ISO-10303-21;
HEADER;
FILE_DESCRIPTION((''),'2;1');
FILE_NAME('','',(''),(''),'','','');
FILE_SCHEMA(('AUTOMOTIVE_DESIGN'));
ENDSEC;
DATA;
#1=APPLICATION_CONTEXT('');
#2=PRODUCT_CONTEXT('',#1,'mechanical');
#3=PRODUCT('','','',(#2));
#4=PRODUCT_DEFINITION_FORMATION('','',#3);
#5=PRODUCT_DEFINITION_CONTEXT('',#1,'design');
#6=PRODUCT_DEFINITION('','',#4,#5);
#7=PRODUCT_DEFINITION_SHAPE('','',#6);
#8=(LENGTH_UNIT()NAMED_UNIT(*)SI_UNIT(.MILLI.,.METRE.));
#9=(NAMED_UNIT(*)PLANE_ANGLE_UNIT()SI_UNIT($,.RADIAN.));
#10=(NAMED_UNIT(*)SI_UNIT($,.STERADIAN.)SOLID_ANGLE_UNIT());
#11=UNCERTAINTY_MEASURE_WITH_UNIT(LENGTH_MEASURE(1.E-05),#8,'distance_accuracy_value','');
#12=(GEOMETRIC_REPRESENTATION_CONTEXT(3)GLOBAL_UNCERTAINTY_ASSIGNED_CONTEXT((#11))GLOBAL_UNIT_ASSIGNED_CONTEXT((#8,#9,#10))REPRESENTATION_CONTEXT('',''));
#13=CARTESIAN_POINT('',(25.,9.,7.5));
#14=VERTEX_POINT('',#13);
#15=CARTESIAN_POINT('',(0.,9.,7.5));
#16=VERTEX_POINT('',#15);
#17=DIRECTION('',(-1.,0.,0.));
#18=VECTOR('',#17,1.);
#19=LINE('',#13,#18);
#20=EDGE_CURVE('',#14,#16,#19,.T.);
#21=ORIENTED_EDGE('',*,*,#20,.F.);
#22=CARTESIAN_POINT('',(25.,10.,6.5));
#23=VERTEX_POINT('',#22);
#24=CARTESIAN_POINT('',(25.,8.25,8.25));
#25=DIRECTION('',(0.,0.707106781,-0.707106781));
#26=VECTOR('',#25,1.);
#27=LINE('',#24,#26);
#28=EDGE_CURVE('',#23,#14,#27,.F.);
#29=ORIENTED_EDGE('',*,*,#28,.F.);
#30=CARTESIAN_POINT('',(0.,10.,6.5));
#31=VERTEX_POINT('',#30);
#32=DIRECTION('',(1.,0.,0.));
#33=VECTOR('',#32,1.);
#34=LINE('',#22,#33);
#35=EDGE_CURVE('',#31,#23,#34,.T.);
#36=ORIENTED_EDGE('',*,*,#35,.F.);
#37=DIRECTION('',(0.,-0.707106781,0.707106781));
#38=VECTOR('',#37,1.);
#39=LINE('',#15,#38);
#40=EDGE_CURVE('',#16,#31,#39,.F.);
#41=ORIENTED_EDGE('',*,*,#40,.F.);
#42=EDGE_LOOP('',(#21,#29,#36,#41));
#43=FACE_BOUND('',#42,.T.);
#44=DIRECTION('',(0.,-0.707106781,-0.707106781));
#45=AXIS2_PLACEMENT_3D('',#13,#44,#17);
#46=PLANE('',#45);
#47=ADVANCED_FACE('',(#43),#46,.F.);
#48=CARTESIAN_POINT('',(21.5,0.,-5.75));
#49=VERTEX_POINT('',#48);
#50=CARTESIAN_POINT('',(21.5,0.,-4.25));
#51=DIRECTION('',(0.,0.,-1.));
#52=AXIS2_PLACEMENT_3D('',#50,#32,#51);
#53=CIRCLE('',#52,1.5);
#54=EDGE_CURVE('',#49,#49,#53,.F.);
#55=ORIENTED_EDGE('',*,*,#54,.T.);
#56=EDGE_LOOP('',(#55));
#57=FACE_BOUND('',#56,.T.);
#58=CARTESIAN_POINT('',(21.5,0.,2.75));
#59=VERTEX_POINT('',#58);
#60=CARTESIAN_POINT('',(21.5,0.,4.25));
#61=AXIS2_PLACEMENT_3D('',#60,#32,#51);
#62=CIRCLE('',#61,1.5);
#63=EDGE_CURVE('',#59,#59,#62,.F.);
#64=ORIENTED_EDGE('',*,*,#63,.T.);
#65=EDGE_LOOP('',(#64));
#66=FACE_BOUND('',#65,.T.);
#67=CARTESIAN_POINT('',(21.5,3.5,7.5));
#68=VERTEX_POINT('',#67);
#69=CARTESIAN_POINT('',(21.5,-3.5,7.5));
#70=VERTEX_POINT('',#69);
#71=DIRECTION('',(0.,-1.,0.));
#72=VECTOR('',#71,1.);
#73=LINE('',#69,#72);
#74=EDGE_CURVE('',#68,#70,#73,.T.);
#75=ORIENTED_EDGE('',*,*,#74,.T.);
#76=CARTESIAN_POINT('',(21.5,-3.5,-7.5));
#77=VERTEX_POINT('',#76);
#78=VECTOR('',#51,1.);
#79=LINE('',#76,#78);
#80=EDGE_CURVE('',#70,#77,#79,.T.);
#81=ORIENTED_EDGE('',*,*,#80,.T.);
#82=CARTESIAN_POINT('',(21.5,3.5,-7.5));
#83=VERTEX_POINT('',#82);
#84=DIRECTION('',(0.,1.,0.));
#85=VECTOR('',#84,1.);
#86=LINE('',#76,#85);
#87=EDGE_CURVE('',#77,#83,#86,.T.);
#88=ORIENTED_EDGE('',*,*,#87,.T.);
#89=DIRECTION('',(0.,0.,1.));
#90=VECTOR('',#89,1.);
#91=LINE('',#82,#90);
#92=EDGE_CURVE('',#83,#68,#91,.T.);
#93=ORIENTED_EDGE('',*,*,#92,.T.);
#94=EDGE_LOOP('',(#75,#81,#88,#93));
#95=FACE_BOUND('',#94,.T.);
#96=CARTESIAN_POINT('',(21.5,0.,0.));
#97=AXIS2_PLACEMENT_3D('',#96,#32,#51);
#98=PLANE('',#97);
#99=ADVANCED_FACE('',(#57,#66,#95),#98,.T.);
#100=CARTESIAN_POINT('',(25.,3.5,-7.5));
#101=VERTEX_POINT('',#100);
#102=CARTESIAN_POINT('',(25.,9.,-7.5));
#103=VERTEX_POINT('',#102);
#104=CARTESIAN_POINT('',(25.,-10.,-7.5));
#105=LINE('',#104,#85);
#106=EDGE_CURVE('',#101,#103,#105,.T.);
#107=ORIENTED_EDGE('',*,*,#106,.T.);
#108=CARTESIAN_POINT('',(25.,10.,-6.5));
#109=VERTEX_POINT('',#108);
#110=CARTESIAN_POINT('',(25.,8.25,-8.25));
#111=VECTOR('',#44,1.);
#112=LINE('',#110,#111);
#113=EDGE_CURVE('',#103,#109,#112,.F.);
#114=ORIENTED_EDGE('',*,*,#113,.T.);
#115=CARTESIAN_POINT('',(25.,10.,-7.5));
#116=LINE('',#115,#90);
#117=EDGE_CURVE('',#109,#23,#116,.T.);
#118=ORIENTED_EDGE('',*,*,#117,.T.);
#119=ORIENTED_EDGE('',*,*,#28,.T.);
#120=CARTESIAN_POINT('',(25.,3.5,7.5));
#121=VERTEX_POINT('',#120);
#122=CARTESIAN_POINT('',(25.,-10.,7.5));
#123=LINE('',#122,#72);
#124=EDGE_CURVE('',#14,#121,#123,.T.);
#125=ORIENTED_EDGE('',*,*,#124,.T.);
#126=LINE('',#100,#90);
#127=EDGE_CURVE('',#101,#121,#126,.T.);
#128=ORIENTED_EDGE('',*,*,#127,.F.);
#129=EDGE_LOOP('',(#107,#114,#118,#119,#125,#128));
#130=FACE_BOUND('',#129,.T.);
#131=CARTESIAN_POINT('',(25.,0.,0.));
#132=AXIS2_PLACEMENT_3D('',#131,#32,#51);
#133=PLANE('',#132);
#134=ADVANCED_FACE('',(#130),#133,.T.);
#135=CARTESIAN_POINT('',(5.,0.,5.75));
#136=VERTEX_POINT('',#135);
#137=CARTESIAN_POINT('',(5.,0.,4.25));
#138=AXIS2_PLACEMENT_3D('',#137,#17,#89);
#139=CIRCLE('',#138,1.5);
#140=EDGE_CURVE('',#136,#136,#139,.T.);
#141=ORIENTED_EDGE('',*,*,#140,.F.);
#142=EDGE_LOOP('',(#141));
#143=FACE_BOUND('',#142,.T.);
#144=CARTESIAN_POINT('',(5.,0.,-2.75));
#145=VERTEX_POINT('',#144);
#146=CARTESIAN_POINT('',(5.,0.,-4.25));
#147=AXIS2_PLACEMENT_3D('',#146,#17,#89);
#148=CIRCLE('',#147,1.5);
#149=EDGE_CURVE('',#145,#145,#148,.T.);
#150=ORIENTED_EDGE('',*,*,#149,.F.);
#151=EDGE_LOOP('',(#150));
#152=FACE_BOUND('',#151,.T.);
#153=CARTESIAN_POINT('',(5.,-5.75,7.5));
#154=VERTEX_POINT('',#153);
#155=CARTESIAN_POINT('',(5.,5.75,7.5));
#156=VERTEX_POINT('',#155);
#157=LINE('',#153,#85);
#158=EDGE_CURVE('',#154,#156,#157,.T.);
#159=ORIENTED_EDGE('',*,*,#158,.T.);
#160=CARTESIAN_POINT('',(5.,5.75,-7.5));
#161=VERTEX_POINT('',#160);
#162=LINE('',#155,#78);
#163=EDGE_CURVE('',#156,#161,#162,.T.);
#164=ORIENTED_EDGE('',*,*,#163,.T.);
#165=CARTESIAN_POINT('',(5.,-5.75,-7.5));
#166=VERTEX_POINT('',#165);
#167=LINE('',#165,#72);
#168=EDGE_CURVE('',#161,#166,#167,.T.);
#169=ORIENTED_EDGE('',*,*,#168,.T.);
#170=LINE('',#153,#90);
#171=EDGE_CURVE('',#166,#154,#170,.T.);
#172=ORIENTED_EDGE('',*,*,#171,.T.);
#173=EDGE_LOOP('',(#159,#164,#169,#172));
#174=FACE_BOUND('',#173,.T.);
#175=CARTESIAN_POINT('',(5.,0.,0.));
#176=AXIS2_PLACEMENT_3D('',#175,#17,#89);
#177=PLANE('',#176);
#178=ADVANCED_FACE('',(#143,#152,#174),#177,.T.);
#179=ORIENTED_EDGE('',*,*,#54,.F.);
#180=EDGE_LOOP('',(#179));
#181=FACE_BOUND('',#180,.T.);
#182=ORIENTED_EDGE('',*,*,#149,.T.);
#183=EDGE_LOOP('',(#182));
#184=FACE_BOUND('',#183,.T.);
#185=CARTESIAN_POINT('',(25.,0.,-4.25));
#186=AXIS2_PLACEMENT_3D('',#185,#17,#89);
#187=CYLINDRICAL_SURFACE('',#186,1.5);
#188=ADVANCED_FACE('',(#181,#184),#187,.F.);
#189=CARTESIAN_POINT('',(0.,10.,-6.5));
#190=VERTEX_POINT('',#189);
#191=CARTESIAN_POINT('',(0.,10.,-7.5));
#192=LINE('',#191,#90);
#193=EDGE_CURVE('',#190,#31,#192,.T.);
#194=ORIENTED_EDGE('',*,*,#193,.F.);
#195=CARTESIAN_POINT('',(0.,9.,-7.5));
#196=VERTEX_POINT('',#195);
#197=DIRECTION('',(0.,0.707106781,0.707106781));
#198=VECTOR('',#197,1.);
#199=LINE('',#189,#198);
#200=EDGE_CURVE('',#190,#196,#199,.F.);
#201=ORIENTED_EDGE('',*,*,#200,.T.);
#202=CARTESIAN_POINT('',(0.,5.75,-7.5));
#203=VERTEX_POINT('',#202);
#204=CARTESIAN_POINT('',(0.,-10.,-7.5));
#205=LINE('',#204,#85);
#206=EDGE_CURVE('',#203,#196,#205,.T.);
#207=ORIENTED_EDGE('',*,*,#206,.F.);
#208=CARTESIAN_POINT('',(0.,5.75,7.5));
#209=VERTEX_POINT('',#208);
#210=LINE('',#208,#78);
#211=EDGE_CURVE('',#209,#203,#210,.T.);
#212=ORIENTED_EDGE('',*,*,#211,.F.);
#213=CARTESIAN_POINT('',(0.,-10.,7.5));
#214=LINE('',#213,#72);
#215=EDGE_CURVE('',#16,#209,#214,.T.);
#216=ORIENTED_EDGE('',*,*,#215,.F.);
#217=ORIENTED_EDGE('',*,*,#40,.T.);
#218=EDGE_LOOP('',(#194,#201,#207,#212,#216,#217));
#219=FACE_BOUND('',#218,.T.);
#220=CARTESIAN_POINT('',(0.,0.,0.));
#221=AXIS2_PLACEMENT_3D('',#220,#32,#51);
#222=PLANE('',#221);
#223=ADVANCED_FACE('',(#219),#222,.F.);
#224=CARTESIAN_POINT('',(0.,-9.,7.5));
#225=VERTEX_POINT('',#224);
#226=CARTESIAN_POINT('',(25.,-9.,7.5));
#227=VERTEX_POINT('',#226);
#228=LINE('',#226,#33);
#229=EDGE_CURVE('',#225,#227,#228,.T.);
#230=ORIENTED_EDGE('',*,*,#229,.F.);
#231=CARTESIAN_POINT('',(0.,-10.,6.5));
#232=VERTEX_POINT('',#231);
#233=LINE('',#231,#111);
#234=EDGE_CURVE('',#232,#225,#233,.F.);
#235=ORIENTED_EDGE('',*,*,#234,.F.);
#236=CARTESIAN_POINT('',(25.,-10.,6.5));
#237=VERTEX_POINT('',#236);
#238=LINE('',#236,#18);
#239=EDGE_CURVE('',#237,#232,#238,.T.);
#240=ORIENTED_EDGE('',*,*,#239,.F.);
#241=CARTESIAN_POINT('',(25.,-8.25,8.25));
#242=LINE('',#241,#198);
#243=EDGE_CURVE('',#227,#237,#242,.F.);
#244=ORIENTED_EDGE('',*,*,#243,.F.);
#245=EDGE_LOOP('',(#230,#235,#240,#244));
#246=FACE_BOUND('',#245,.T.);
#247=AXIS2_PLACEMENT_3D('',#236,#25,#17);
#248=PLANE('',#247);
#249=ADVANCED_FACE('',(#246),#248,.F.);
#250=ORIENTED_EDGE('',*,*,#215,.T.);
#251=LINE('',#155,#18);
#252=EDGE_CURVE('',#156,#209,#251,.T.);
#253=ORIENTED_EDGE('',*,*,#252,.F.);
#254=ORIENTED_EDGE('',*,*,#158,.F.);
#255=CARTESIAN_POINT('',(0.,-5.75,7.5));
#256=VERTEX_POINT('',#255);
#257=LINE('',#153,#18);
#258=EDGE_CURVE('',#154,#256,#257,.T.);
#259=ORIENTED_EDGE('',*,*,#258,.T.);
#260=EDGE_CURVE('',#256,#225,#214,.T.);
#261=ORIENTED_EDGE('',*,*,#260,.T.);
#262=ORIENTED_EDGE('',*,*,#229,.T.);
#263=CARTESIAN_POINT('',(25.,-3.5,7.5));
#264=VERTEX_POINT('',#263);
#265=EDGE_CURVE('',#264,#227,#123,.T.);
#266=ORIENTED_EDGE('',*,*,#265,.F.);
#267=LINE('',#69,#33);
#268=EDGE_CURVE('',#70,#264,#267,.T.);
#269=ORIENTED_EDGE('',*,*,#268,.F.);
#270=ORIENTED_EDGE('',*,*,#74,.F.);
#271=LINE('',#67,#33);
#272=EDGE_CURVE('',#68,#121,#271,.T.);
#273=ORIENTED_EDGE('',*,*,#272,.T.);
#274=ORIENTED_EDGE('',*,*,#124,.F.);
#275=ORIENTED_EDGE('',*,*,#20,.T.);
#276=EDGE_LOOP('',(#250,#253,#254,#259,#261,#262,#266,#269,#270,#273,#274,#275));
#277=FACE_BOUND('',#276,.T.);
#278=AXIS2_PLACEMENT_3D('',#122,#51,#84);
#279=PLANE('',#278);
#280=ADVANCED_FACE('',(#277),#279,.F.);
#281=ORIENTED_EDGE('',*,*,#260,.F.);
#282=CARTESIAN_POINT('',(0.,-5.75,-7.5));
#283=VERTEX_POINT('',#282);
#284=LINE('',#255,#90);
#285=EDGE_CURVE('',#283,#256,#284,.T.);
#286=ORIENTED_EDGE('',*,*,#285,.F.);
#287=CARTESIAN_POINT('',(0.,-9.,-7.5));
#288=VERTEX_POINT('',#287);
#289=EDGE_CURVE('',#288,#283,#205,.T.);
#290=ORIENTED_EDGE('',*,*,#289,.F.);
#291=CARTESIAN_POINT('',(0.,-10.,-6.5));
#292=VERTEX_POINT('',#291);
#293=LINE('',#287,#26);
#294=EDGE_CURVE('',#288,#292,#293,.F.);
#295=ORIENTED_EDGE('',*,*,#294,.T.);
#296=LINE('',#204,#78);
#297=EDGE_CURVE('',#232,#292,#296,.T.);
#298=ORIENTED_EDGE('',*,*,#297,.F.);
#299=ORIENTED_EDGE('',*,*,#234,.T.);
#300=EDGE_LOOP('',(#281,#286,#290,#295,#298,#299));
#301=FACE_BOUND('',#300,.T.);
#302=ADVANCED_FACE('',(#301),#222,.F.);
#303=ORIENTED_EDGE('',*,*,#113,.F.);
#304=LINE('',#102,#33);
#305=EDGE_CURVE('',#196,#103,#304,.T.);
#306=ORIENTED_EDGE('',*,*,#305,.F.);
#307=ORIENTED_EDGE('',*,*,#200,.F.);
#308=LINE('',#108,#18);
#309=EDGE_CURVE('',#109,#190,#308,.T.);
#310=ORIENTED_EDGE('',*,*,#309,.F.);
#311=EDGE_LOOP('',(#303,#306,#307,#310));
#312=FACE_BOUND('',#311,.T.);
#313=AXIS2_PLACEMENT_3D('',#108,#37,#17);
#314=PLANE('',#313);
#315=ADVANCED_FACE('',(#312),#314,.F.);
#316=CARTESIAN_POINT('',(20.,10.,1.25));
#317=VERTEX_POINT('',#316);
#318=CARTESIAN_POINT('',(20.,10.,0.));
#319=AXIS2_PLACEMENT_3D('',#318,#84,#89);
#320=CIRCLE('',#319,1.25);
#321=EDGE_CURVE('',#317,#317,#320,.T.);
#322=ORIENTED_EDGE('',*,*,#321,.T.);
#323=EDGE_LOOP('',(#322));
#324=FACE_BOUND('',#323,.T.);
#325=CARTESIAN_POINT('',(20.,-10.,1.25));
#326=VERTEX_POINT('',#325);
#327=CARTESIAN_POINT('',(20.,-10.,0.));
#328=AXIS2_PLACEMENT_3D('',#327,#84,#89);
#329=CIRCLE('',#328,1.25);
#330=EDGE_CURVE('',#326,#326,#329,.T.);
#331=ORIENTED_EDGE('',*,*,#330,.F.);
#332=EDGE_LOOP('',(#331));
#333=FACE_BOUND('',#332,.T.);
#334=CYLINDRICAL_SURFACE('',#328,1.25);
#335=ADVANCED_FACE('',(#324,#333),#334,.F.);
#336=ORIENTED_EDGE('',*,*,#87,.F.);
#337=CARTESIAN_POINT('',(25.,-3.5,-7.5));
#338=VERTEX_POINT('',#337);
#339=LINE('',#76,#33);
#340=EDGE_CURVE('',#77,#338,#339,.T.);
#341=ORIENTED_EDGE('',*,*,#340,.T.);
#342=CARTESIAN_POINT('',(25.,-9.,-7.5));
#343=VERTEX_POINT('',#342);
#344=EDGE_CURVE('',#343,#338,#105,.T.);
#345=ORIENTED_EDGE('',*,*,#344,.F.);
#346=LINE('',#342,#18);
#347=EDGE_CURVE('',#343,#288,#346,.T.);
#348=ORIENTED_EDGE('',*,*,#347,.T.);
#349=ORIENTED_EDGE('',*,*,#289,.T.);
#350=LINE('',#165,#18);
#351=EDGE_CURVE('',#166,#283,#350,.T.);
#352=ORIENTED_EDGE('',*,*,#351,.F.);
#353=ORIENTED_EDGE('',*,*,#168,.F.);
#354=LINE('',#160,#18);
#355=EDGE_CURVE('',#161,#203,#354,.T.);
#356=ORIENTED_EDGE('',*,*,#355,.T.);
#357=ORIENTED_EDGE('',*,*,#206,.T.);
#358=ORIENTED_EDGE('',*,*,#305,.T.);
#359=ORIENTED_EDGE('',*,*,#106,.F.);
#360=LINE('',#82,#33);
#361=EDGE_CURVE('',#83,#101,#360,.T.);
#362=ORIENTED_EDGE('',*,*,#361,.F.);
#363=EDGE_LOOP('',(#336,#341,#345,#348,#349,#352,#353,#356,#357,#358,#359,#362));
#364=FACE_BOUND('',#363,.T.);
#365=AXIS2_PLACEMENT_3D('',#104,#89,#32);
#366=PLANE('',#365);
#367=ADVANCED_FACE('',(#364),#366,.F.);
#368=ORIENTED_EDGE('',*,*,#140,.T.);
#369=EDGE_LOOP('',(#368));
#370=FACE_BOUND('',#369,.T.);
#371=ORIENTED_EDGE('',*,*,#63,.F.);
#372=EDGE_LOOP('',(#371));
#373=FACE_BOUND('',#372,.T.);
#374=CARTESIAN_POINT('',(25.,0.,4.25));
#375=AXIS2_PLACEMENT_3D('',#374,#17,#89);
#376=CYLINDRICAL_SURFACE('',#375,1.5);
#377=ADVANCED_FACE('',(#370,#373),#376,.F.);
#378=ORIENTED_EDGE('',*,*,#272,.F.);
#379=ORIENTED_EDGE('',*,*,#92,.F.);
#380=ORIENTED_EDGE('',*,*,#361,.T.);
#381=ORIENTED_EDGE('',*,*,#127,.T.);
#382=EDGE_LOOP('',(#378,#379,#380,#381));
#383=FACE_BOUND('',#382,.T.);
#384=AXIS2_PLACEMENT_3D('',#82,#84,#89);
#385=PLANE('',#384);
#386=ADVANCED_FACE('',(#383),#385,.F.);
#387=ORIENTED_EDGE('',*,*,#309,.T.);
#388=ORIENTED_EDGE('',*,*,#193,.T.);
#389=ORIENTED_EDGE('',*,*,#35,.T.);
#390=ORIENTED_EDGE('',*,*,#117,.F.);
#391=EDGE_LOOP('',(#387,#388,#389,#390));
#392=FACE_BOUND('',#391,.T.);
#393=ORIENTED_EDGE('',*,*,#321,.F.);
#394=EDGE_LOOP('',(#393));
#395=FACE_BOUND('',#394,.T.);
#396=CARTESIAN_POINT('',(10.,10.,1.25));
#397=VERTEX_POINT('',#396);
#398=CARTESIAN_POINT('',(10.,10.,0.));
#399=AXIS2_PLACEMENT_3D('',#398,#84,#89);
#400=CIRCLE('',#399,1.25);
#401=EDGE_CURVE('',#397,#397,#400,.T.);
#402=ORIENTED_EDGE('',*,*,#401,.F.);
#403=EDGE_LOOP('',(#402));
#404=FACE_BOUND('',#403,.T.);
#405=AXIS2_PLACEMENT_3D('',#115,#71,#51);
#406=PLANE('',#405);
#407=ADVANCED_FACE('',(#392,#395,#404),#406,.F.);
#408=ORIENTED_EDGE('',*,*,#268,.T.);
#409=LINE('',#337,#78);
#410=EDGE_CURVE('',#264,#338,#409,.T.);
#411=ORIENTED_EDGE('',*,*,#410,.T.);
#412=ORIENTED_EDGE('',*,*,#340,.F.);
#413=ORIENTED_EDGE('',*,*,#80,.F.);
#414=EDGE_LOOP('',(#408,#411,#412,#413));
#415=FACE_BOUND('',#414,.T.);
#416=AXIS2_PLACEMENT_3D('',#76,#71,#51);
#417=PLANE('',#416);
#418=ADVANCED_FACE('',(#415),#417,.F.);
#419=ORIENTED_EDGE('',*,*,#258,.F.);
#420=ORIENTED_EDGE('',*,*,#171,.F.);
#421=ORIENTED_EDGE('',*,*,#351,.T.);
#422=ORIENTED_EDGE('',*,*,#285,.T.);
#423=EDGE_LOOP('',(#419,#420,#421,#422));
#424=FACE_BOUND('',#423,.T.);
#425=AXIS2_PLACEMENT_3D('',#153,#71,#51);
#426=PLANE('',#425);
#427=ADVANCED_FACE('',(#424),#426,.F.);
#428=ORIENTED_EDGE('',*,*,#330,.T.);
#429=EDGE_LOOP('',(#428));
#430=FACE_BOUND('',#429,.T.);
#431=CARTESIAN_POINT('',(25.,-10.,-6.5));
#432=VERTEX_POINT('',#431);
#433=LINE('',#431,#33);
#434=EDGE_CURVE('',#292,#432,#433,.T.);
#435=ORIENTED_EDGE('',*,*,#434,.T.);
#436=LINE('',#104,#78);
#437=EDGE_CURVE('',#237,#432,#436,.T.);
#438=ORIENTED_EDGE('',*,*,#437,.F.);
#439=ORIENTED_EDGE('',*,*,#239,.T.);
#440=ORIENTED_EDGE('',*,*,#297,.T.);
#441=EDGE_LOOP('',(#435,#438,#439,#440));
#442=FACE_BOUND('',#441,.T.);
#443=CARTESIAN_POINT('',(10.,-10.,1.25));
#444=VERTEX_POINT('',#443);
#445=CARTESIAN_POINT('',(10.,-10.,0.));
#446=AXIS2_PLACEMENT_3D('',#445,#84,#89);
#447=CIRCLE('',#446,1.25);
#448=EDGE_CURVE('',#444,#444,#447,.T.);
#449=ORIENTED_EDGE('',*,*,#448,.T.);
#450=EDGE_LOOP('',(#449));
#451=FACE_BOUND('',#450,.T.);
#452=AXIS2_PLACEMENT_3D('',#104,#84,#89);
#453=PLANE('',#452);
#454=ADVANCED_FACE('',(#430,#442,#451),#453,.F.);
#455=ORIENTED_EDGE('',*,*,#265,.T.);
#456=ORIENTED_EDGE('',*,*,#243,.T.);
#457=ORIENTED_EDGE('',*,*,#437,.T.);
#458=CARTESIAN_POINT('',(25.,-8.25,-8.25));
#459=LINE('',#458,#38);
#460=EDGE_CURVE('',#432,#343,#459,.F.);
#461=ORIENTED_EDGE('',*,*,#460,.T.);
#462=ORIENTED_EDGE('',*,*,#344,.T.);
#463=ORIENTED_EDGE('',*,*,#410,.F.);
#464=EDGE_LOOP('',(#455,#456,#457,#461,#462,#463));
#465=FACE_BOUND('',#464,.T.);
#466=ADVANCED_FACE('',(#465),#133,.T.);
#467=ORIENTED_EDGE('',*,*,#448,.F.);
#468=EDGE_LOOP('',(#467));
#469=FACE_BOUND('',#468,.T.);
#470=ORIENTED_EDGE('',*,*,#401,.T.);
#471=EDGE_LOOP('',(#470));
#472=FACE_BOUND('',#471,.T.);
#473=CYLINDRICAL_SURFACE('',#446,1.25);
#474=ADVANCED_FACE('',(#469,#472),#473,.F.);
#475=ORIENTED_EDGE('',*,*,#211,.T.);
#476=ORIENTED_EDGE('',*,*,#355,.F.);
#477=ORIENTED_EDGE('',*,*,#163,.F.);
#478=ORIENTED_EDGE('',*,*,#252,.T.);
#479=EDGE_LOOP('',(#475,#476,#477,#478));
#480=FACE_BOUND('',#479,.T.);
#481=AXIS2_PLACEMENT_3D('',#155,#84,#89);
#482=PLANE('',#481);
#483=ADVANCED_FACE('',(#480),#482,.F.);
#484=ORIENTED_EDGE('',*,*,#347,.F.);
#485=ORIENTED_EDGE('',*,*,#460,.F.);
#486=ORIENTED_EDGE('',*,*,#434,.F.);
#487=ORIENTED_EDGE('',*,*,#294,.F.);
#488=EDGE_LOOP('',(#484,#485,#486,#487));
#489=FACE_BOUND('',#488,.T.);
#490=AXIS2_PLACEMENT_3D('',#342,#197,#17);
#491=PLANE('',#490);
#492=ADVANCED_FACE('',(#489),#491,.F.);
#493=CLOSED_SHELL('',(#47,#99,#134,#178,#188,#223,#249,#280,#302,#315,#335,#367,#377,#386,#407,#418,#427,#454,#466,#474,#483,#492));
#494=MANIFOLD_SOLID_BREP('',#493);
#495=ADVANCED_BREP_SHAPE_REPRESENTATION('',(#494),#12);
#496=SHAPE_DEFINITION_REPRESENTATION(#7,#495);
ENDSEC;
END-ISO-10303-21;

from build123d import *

# Parameters (mm, degrees)
SKETCH_1_W          = 15
SKETCH_1_H          = 20
EXTRUDE_1_DEPTH     = 25
SKETCH_2_W          = 15
SKETCH_2_H          = 11.5
CUT_EXTRUDE_1_DEPTH = 5
SKETCH_3_R          = 1.5
CUT_EXTRUDE_2_DEPTH = 24.58495283
SKETCH_4_R          = 1.25
CUT_EXTRUDE_3_DEPTH = 33.882366095
CHAMFER_1_SIZE      = 1
SKETCH_5_W          = 15
SKETCH_5_H          = 7
CUT_EXTRUDE_4_DEPTH = 3.5


with BuildPart() as part:
    # 草图1 → 凸台-拉伸1 (new body)
    with BuildSketch(Plane(origin=(0, 0, 0), x_dir=(0, 0, -1), z_dir=(1, 0, 0))):
        Rectangle(SKETCH_1_W, SKETCH_1_H)
    extrude(amount=EXTRUDE_1_DEPTH)

    # 草图2 → 切除-拉伸1 (cut)
    with BuildSketch(Plane.ZY):
        Rectangle(SKETCH_2_W, SKETCH_2_H)
    extrude(amount=-CUT_EXTRUDE_1_DEPTH, mode=Mode.SUBTRACT)

    # 草图3 → 切除-拉伸2 (cut, through all)
    with BuildSketch(Plane.ZY.offset(-5)):
        with Locations((-4.25, 0)):
            Circle(SKETCH_3_R)
        with Locations((4.25, 0)):
            Circle(SKETCH_3_R)
    extrude(amount=-CUT_EXTRUDE_2_DEPTH, mode=Mode.SUBTRACT)

    # 草图4 → 切除-拉伸3 (cut, through all)
    with BuildSketch(Plane(origin=(0, 10, 0), x_dir=(1, 0, 0), z_dir=(0, 1, 0))):
        with Locations(Location((20, 0, 0), (0, 0, 270))):
            Circle(SKETCH_4_R)
        with Locations(Location((10, 0, 0), (0, 0, 270))):
            Circle(SKETCH_4_R)
    extrude(amount=-CUT_EXTRUDE_3_DEPTH, mode=Mode.SUBTRACT)

    # 倒角1
    chamfer_1_edges = [part.edges().sort_by_distance(p)[0] for p in [
        (12.5, 10, 7.5),
        (12.5, 10, -7.5),
        (12.5, -10, -7.5),
        (12.5, -10, 7.5),
    ]]
    chamfer(chamfer_1_edges, length=CHAMFER_1_SIZE)

    # 草图5 → 切除-拉伸4 (cut)
    with BuildSketch(Plane(origin=(25, 0, 0), x_dir=(0, 0, -1), z_dir=(1, 0, 0))):
        Rectangle(SKETCH_5_W, SKETCH_5_H)
    extrude(amount=-CUT_EXTRUDE_4_DEPTH, mode=Mode.SUBTRACT)


solid = part.part
